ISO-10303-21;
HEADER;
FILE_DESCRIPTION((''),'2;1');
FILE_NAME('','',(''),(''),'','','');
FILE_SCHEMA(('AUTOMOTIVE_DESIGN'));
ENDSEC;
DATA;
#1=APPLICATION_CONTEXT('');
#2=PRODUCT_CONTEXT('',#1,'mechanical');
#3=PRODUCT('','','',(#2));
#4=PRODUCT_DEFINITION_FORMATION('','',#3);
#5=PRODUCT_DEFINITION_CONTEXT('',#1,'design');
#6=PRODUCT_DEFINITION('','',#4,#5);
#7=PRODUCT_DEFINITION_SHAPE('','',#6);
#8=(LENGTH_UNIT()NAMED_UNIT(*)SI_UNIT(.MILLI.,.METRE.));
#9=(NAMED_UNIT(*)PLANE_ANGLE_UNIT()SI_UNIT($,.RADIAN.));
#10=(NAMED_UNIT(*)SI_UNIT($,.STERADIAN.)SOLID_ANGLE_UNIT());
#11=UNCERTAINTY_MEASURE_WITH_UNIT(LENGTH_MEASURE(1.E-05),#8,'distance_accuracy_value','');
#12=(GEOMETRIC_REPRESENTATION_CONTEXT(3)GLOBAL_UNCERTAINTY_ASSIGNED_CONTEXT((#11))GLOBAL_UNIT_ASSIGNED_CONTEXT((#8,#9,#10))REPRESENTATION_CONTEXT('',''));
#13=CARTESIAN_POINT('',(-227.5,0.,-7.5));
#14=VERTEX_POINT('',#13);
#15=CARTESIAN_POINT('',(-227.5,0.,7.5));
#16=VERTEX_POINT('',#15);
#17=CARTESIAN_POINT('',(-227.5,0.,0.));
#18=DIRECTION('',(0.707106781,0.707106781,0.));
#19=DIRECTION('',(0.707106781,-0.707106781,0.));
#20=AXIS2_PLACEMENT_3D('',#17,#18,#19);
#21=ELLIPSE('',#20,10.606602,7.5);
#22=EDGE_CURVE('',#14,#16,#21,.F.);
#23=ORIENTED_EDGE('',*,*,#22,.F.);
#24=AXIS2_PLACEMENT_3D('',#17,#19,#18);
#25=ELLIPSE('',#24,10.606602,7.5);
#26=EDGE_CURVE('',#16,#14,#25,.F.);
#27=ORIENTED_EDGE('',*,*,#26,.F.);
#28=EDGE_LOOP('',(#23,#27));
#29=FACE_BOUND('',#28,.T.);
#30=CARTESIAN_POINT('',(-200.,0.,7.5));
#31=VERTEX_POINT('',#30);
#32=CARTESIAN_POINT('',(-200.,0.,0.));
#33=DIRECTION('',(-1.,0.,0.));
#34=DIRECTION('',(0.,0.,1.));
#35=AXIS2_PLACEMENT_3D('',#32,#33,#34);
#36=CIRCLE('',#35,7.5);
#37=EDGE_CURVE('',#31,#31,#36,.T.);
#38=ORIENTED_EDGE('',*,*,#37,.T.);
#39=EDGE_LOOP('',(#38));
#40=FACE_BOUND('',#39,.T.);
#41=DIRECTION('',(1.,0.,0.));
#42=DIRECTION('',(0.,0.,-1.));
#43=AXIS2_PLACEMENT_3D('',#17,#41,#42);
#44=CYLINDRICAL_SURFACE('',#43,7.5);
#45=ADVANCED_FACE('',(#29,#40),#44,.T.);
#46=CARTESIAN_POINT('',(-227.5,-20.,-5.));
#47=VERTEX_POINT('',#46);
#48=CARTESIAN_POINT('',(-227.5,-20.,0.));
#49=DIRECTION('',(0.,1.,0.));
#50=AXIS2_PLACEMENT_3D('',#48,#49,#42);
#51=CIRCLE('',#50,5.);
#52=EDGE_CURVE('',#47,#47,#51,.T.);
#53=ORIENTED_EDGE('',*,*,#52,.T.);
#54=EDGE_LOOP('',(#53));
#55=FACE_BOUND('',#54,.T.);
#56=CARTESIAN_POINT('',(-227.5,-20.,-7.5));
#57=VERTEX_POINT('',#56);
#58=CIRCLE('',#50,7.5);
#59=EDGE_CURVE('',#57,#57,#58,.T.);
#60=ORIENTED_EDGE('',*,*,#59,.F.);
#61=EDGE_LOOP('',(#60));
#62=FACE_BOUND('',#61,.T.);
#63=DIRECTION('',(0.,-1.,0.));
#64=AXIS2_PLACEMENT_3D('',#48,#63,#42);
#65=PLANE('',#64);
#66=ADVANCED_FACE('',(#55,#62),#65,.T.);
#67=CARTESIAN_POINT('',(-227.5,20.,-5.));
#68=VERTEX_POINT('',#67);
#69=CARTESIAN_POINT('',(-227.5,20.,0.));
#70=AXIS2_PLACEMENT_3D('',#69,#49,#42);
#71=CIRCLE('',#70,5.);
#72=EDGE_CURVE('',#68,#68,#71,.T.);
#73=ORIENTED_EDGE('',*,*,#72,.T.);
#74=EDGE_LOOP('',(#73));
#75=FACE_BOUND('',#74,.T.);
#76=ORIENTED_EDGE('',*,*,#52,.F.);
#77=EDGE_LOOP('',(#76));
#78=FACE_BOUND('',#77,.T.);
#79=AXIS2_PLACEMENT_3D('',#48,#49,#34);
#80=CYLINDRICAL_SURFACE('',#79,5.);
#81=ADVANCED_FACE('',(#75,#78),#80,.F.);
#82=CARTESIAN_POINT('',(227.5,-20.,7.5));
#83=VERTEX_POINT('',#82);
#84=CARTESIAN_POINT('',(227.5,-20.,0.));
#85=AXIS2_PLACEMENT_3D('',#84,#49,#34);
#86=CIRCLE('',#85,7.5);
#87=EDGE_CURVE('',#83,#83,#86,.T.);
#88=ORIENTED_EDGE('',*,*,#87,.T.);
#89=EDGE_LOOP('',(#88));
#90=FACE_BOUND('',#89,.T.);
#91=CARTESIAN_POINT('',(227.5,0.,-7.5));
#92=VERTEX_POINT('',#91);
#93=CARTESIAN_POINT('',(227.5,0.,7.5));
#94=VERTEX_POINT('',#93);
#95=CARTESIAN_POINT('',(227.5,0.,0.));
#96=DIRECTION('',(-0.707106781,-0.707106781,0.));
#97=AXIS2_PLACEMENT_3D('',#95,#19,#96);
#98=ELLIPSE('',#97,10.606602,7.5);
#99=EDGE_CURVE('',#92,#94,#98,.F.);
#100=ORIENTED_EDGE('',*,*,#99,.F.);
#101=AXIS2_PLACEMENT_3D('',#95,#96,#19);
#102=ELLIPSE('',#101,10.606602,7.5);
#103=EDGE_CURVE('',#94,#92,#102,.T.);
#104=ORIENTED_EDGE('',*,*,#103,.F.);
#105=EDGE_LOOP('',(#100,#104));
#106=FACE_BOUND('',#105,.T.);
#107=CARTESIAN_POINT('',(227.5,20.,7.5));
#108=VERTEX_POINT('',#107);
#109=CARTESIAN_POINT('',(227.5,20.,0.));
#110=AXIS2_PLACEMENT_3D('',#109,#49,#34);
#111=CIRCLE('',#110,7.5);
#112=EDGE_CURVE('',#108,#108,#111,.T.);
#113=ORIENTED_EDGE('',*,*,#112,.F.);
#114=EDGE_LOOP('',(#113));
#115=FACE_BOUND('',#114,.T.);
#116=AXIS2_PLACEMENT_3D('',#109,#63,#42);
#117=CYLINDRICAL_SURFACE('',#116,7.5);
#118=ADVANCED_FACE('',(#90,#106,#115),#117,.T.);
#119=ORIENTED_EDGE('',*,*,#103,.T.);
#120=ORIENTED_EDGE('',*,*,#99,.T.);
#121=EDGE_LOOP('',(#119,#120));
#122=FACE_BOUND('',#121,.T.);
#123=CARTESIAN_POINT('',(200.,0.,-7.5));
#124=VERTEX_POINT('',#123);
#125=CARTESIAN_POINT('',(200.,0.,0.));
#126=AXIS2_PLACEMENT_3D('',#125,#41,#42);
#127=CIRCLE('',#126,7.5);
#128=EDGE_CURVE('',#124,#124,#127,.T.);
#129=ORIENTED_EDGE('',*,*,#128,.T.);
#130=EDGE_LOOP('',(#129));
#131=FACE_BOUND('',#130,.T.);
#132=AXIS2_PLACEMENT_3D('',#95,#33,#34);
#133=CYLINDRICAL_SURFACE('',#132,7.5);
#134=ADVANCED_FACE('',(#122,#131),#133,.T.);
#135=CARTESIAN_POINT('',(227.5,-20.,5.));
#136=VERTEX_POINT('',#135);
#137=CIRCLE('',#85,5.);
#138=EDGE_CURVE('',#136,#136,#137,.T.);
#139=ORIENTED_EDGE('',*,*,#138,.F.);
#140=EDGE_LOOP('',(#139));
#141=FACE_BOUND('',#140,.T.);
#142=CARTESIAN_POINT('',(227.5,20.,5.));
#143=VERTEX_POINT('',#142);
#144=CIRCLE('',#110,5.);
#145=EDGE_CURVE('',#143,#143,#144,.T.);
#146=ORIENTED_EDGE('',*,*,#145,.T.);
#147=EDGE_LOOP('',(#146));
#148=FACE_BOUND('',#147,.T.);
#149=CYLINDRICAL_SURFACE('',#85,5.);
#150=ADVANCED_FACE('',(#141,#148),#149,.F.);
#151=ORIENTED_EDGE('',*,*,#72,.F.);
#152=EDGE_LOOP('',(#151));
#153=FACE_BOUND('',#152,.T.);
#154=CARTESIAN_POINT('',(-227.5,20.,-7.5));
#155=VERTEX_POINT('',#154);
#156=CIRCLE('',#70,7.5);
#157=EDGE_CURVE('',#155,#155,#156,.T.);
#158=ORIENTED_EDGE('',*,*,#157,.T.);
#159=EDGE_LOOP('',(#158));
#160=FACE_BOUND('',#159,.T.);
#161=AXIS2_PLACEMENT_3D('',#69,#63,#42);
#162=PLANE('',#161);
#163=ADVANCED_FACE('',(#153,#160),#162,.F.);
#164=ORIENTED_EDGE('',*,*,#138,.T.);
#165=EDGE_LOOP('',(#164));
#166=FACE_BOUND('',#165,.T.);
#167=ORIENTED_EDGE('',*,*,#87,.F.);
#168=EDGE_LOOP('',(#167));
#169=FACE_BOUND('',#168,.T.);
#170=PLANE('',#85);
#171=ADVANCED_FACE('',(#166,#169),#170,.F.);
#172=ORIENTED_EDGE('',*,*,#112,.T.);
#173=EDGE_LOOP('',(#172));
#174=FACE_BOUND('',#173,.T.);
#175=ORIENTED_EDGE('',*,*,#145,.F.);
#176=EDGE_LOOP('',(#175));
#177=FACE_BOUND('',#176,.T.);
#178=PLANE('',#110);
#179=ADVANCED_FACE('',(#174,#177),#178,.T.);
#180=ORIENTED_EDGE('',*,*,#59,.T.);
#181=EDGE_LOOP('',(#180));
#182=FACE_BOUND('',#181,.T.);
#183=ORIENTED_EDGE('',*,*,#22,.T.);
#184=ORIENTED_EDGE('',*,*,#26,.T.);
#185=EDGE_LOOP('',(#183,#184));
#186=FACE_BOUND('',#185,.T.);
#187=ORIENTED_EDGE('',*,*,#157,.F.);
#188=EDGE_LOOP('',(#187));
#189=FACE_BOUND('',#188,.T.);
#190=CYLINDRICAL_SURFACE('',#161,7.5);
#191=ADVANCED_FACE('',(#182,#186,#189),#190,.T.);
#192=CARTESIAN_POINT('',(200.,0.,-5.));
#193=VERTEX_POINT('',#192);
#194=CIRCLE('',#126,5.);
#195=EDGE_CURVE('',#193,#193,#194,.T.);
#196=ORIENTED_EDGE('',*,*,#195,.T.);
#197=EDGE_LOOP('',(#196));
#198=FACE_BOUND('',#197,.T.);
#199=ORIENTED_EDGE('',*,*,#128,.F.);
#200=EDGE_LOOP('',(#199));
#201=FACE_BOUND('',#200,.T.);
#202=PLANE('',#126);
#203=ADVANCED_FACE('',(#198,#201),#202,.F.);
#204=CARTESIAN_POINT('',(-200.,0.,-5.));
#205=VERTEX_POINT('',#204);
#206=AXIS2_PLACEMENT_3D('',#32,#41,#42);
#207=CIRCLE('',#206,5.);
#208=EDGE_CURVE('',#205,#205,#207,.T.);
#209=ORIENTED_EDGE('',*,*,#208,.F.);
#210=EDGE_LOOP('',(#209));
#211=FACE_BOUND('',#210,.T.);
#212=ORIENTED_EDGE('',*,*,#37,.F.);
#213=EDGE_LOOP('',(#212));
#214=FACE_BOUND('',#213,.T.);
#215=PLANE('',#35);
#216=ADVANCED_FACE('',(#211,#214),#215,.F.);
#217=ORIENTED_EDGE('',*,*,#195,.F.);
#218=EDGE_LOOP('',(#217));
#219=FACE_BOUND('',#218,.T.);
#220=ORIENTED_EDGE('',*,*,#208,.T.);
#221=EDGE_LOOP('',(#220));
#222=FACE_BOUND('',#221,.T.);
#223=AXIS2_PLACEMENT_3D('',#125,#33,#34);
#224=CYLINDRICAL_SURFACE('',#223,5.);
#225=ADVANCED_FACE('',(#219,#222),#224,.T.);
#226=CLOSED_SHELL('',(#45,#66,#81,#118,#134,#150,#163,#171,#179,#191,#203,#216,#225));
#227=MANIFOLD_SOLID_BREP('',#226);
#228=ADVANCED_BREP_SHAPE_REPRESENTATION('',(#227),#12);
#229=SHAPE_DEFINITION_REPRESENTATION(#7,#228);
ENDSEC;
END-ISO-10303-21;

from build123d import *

# Parameters (mm, degrees)
SKETCH1_R             = 5
BOSS_EXTRUDE1_DEPTH   = 200
SKETCH2_R             = 7.5
BOSS_EXTRUDE2_DEPTH   = 20
BOSS_EXTRUDE2_2_DEPTH = 20
SKETCH3_R             = 7.5
BOSS_EXTRUDE3_DEPTH   = 27.5
BOSS_EXTRUDE4_START   = 27.5
SKETCH4_R             = 7.5
BOSS_EXTRUDE4_DEPTH   = 27.5
SKETCH5_R             = 5
CUT_EXTRUDE1_DEPTH    = 239.497903555


with BuildPart() as part:
    # Sketch1 → Boss-Extrude1 (new, symmetric)
    with BuildSketch(Plane(origin=(0, 0, 0), x_dir=(0, 0, -1), z_dir=(1, 0, 0))):
        Circle(SKETCH1_R)
    extrude(amount=BOSS_EXTRUDE1_DEPTH, both=True)



with BuildPart() as body_2:
    # Sketch2 → Boss-Extrude2 (new, symmetric)
    with BuildSketch(Plane(origin=(0, 0, 0), x_dir=(1, 0, 0), z_dir=(0, 1, 0))):
        with Locations(Location((227.5, 0, 0), (0, 0, 270))):
            Circle(SKETCH2_R)
    extrude(amount=BOSS_EXTRUDE2_DEPTH, both=True)


with BuildPart() as body_3:
    # Sketch2 → Boss-Extrude2 2 (new, symmetric)
    with BuildSketch(Plane(origin=(0, 0, 0), x_dir=(1, 0, 0), z_dir=(0, 1, 0))):
        with Locations(Location((-227.5, 0, 0), (0, 0, 90))):
            Circle(SKETCH2_R)
    extrude(amount=BOSS_EXTRUDE2_2_DEPTH, both=True)


with BuildPart() as part_1:
    add(part.part)

    add(body_3.part)  # Boss-Extrude3 merges body 3
    # Sketch3 → Boss-Extrude3 (add)
    with BuildSketch(Plane.ZY.offset(200)):
        Circle(SKETCH3_R)
    extrude(amount=BOSS_EXTRUDE3_DEPTH)


    add(body_2.part)  # Boss-Extrude4 merges body 2
    # Sketch4 → Boss-Extrude4 (add)
    with BuildSketch(Plane(origin=(200, 0, 0), x_dir=(0, 0, -1), z_dir=(1, 0, 0)).offset(BOSS_EXTRUDE4_START)):
        Circle(SKETCH4_R)
    extrude(amount=-BOSS_EXTRUDE4_DEPTH)

    # Sketch5 → Cut-Extrude1 (cut, through all)
    with BuildSketch(Plane(origin=(0, 20, 0), x_dir=(1, 0, 0), z_dir=(0, 1, 0))):
        with Locations(Location((227.5, 0, 0), (0, 0, 270))):
            Circle(SKETCH5_R)
        with Locations(Location((-227.5, 0, 0), (0, 0, 90))):
            Circle(SKETCH5_R)
    extrude(amount=-CUT_EXTRUDE1_DEPTH, mode=Mode.SUBTRACT)


solid = part_1.part
